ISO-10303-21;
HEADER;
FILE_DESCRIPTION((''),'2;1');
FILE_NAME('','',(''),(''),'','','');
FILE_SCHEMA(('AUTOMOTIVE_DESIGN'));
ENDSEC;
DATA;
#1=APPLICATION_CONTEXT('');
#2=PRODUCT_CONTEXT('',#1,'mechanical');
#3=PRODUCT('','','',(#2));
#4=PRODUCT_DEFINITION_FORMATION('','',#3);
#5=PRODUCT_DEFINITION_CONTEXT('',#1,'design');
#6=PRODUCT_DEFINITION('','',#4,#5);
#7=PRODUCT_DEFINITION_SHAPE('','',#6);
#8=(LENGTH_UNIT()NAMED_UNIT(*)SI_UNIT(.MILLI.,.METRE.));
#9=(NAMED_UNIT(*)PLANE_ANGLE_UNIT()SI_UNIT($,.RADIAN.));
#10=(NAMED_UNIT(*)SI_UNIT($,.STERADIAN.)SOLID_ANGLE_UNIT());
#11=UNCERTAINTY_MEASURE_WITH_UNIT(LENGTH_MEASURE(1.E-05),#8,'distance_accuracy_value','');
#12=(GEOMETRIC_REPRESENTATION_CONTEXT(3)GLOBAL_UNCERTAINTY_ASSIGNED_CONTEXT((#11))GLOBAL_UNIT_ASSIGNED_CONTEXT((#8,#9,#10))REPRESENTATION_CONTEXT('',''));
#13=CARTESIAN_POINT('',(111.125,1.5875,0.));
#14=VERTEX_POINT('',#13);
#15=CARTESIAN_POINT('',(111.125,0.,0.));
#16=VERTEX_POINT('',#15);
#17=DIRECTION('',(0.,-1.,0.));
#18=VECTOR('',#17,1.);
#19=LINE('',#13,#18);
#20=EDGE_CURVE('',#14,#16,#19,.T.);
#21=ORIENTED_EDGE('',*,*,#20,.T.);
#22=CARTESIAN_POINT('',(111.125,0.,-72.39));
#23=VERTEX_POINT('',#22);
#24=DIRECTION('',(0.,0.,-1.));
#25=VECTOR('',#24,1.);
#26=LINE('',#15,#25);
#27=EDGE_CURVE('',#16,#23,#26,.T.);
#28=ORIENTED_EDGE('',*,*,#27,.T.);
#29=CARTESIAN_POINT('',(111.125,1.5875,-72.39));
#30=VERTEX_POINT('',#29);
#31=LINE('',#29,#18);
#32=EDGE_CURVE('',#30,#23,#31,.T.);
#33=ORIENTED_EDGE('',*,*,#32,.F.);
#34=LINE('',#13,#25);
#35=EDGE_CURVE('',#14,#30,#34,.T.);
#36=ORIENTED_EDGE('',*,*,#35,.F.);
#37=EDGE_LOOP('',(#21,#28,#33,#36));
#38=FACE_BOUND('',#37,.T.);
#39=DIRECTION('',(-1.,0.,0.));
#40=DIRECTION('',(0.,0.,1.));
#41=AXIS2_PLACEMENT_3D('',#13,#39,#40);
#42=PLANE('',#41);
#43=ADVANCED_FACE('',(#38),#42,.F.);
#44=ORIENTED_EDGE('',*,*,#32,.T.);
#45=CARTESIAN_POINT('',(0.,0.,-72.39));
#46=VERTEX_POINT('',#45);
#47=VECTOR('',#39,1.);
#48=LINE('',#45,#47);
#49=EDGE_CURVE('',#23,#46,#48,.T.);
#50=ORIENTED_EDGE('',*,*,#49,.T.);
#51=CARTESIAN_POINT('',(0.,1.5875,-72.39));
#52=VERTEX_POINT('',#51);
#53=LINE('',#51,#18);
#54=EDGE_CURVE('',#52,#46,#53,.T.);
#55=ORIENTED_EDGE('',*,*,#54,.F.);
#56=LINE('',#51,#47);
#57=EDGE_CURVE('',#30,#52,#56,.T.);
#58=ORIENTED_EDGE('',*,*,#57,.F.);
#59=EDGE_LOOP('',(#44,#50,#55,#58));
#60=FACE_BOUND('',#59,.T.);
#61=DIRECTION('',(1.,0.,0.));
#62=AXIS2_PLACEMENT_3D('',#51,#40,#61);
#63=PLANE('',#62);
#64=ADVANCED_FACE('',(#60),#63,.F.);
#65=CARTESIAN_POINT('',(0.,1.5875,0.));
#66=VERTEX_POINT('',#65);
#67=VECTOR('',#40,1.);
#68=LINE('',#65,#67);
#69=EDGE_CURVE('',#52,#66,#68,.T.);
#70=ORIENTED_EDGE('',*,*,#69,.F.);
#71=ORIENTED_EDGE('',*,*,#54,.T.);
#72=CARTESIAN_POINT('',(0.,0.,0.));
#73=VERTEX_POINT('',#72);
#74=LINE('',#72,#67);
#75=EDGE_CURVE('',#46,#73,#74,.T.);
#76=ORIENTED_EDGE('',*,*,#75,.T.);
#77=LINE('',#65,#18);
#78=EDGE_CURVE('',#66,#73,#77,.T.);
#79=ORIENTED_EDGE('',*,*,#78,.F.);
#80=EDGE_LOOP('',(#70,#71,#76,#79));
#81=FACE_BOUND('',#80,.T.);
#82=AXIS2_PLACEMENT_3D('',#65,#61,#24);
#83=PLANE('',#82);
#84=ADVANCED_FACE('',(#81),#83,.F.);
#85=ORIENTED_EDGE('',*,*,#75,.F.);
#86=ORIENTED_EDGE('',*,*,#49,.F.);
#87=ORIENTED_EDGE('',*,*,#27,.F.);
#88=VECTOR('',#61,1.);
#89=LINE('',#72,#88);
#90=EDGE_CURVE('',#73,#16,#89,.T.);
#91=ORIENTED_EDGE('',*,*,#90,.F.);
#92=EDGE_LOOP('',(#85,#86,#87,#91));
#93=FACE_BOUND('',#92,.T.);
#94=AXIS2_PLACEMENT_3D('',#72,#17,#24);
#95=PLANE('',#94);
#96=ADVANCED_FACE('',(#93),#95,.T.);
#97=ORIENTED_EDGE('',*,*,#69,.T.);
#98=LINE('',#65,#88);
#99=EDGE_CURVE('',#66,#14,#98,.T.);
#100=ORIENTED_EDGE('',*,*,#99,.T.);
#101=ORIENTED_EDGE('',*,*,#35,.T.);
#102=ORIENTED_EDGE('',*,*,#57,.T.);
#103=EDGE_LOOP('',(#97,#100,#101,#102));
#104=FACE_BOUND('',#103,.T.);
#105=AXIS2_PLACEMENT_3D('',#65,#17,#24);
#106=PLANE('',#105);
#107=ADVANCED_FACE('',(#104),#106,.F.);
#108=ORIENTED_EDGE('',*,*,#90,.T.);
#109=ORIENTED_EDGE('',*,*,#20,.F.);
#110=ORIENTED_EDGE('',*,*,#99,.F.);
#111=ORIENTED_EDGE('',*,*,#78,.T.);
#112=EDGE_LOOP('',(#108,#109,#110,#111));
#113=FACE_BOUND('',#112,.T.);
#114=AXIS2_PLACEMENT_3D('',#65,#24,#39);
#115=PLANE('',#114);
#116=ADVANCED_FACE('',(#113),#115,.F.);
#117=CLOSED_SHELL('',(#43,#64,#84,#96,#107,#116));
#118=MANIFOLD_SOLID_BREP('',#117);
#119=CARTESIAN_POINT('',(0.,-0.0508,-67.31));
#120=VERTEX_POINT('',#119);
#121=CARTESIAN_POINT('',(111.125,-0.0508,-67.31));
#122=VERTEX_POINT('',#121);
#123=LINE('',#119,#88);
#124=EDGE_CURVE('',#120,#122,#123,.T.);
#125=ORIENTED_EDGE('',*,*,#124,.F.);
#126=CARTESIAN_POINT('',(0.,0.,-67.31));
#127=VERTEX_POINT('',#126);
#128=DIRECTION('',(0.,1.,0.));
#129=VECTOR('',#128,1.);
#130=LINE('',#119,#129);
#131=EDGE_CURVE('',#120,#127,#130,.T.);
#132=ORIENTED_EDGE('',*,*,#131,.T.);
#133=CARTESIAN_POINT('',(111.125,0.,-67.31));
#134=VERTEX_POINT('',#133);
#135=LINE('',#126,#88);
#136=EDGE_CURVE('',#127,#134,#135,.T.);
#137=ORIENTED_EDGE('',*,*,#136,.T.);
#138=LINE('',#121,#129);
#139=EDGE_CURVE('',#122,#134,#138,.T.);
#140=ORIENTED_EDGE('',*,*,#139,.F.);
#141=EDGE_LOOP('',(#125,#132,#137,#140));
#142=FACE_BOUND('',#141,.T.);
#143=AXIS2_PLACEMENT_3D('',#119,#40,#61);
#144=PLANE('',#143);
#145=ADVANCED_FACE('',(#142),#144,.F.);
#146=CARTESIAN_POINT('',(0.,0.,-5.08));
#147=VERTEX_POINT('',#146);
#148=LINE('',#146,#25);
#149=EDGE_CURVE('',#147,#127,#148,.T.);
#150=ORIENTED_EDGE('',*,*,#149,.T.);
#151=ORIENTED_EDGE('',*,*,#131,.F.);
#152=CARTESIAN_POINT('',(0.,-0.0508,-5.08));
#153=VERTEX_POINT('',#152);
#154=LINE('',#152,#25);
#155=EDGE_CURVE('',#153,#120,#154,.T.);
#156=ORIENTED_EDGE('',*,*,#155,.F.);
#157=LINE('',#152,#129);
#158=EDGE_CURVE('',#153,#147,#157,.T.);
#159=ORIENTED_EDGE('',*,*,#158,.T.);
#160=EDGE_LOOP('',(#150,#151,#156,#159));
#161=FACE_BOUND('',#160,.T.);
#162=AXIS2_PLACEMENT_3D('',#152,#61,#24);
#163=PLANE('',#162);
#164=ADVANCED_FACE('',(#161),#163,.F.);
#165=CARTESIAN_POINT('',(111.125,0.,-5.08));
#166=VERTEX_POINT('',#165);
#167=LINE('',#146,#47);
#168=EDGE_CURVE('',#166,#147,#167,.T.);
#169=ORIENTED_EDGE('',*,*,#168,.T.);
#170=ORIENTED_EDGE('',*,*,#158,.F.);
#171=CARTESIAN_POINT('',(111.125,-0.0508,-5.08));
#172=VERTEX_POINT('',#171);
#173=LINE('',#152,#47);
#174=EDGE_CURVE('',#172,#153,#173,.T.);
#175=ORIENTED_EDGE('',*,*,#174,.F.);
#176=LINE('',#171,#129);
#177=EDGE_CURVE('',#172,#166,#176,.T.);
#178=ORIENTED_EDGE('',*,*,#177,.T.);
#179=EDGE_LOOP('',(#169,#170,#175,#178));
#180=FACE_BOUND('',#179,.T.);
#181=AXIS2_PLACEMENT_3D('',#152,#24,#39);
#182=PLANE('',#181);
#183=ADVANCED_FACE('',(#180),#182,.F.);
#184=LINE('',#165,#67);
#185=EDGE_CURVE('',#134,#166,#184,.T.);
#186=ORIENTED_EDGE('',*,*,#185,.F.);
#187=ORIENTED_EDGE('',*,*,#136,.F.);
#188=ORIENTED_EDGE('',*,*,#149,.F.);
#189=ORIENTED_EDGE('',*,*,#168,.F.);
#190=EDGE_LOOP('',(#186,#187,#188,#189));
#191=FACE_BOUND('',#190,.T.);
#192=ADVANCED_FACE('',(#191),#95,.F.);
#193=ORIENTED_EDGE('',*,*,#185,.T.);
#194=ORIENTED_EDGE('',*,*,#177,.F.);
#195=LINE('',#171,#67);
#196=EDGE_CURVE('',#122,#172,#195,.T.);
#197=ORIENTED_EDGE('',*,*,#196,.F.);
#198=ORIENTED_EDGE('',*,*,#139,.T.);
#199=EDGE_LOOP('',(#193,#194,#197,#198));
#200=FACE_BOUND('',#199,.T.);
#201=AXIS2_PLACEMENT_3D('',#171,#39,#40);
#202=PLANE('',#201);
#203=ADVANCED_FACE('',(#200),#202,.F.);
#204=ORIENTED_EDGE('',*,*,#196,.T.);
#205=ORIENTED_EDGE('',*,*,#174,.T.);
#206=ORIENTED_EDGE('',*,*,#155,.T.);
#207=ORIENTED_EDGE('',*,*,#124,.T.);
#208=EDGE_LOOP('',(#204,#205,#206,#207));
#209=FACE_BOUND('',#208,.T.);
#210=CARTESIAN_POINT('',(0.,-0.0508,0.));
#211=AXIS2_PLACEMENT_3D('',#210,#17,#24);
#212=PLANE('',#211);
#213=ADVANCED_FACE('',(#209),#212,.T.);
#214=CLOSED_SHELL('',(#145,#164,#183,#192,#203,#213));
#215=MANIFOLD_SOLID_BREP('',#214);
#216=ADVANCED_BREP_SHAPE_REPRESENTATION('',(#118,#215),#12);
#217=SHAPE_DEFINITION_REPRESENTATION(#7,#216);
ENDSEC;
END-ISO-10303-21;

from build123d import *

# Parameters (mm, degrees)
SKETCH1_W           = 111.125
SKETCH1_H           = 72.39
BOSS_EXTRUDE1_DEPTH = 1.5875
SKETCH2_W           = 111.125
SKETCH2_H           = 62.23
BOSS_EXTRUDE2_DEPTH = 0.0508


with BuildPart() as part:
    # Sketch1 → Boss-Extrude1 (new body)
    with BuildSketch(Plane(origin=(0, 0, 0), x_dir=(1, 0, 0), z_dir=(0, 1, 0))):
        with Locations((55.5625, 36.195)):
            Rectangle(SKETCH1_W, SKETCH1_H)
    extrude(amount=BOSS_EXTRUDE1_DEPTH)


with BuildPart() as body_2:
    # Sketch2 → Boss-Extrude2 (new body)
    with BuildSketch(Plane.XZ):
        with Locations((55.5625, -36.195)):
            Rectangle(SKETCH2_W, SKETCH2_H)
    extrude(amount=BOSS_EXTRUDE2_DEPTH)


solid = Compound([part.part, body_2.part])
